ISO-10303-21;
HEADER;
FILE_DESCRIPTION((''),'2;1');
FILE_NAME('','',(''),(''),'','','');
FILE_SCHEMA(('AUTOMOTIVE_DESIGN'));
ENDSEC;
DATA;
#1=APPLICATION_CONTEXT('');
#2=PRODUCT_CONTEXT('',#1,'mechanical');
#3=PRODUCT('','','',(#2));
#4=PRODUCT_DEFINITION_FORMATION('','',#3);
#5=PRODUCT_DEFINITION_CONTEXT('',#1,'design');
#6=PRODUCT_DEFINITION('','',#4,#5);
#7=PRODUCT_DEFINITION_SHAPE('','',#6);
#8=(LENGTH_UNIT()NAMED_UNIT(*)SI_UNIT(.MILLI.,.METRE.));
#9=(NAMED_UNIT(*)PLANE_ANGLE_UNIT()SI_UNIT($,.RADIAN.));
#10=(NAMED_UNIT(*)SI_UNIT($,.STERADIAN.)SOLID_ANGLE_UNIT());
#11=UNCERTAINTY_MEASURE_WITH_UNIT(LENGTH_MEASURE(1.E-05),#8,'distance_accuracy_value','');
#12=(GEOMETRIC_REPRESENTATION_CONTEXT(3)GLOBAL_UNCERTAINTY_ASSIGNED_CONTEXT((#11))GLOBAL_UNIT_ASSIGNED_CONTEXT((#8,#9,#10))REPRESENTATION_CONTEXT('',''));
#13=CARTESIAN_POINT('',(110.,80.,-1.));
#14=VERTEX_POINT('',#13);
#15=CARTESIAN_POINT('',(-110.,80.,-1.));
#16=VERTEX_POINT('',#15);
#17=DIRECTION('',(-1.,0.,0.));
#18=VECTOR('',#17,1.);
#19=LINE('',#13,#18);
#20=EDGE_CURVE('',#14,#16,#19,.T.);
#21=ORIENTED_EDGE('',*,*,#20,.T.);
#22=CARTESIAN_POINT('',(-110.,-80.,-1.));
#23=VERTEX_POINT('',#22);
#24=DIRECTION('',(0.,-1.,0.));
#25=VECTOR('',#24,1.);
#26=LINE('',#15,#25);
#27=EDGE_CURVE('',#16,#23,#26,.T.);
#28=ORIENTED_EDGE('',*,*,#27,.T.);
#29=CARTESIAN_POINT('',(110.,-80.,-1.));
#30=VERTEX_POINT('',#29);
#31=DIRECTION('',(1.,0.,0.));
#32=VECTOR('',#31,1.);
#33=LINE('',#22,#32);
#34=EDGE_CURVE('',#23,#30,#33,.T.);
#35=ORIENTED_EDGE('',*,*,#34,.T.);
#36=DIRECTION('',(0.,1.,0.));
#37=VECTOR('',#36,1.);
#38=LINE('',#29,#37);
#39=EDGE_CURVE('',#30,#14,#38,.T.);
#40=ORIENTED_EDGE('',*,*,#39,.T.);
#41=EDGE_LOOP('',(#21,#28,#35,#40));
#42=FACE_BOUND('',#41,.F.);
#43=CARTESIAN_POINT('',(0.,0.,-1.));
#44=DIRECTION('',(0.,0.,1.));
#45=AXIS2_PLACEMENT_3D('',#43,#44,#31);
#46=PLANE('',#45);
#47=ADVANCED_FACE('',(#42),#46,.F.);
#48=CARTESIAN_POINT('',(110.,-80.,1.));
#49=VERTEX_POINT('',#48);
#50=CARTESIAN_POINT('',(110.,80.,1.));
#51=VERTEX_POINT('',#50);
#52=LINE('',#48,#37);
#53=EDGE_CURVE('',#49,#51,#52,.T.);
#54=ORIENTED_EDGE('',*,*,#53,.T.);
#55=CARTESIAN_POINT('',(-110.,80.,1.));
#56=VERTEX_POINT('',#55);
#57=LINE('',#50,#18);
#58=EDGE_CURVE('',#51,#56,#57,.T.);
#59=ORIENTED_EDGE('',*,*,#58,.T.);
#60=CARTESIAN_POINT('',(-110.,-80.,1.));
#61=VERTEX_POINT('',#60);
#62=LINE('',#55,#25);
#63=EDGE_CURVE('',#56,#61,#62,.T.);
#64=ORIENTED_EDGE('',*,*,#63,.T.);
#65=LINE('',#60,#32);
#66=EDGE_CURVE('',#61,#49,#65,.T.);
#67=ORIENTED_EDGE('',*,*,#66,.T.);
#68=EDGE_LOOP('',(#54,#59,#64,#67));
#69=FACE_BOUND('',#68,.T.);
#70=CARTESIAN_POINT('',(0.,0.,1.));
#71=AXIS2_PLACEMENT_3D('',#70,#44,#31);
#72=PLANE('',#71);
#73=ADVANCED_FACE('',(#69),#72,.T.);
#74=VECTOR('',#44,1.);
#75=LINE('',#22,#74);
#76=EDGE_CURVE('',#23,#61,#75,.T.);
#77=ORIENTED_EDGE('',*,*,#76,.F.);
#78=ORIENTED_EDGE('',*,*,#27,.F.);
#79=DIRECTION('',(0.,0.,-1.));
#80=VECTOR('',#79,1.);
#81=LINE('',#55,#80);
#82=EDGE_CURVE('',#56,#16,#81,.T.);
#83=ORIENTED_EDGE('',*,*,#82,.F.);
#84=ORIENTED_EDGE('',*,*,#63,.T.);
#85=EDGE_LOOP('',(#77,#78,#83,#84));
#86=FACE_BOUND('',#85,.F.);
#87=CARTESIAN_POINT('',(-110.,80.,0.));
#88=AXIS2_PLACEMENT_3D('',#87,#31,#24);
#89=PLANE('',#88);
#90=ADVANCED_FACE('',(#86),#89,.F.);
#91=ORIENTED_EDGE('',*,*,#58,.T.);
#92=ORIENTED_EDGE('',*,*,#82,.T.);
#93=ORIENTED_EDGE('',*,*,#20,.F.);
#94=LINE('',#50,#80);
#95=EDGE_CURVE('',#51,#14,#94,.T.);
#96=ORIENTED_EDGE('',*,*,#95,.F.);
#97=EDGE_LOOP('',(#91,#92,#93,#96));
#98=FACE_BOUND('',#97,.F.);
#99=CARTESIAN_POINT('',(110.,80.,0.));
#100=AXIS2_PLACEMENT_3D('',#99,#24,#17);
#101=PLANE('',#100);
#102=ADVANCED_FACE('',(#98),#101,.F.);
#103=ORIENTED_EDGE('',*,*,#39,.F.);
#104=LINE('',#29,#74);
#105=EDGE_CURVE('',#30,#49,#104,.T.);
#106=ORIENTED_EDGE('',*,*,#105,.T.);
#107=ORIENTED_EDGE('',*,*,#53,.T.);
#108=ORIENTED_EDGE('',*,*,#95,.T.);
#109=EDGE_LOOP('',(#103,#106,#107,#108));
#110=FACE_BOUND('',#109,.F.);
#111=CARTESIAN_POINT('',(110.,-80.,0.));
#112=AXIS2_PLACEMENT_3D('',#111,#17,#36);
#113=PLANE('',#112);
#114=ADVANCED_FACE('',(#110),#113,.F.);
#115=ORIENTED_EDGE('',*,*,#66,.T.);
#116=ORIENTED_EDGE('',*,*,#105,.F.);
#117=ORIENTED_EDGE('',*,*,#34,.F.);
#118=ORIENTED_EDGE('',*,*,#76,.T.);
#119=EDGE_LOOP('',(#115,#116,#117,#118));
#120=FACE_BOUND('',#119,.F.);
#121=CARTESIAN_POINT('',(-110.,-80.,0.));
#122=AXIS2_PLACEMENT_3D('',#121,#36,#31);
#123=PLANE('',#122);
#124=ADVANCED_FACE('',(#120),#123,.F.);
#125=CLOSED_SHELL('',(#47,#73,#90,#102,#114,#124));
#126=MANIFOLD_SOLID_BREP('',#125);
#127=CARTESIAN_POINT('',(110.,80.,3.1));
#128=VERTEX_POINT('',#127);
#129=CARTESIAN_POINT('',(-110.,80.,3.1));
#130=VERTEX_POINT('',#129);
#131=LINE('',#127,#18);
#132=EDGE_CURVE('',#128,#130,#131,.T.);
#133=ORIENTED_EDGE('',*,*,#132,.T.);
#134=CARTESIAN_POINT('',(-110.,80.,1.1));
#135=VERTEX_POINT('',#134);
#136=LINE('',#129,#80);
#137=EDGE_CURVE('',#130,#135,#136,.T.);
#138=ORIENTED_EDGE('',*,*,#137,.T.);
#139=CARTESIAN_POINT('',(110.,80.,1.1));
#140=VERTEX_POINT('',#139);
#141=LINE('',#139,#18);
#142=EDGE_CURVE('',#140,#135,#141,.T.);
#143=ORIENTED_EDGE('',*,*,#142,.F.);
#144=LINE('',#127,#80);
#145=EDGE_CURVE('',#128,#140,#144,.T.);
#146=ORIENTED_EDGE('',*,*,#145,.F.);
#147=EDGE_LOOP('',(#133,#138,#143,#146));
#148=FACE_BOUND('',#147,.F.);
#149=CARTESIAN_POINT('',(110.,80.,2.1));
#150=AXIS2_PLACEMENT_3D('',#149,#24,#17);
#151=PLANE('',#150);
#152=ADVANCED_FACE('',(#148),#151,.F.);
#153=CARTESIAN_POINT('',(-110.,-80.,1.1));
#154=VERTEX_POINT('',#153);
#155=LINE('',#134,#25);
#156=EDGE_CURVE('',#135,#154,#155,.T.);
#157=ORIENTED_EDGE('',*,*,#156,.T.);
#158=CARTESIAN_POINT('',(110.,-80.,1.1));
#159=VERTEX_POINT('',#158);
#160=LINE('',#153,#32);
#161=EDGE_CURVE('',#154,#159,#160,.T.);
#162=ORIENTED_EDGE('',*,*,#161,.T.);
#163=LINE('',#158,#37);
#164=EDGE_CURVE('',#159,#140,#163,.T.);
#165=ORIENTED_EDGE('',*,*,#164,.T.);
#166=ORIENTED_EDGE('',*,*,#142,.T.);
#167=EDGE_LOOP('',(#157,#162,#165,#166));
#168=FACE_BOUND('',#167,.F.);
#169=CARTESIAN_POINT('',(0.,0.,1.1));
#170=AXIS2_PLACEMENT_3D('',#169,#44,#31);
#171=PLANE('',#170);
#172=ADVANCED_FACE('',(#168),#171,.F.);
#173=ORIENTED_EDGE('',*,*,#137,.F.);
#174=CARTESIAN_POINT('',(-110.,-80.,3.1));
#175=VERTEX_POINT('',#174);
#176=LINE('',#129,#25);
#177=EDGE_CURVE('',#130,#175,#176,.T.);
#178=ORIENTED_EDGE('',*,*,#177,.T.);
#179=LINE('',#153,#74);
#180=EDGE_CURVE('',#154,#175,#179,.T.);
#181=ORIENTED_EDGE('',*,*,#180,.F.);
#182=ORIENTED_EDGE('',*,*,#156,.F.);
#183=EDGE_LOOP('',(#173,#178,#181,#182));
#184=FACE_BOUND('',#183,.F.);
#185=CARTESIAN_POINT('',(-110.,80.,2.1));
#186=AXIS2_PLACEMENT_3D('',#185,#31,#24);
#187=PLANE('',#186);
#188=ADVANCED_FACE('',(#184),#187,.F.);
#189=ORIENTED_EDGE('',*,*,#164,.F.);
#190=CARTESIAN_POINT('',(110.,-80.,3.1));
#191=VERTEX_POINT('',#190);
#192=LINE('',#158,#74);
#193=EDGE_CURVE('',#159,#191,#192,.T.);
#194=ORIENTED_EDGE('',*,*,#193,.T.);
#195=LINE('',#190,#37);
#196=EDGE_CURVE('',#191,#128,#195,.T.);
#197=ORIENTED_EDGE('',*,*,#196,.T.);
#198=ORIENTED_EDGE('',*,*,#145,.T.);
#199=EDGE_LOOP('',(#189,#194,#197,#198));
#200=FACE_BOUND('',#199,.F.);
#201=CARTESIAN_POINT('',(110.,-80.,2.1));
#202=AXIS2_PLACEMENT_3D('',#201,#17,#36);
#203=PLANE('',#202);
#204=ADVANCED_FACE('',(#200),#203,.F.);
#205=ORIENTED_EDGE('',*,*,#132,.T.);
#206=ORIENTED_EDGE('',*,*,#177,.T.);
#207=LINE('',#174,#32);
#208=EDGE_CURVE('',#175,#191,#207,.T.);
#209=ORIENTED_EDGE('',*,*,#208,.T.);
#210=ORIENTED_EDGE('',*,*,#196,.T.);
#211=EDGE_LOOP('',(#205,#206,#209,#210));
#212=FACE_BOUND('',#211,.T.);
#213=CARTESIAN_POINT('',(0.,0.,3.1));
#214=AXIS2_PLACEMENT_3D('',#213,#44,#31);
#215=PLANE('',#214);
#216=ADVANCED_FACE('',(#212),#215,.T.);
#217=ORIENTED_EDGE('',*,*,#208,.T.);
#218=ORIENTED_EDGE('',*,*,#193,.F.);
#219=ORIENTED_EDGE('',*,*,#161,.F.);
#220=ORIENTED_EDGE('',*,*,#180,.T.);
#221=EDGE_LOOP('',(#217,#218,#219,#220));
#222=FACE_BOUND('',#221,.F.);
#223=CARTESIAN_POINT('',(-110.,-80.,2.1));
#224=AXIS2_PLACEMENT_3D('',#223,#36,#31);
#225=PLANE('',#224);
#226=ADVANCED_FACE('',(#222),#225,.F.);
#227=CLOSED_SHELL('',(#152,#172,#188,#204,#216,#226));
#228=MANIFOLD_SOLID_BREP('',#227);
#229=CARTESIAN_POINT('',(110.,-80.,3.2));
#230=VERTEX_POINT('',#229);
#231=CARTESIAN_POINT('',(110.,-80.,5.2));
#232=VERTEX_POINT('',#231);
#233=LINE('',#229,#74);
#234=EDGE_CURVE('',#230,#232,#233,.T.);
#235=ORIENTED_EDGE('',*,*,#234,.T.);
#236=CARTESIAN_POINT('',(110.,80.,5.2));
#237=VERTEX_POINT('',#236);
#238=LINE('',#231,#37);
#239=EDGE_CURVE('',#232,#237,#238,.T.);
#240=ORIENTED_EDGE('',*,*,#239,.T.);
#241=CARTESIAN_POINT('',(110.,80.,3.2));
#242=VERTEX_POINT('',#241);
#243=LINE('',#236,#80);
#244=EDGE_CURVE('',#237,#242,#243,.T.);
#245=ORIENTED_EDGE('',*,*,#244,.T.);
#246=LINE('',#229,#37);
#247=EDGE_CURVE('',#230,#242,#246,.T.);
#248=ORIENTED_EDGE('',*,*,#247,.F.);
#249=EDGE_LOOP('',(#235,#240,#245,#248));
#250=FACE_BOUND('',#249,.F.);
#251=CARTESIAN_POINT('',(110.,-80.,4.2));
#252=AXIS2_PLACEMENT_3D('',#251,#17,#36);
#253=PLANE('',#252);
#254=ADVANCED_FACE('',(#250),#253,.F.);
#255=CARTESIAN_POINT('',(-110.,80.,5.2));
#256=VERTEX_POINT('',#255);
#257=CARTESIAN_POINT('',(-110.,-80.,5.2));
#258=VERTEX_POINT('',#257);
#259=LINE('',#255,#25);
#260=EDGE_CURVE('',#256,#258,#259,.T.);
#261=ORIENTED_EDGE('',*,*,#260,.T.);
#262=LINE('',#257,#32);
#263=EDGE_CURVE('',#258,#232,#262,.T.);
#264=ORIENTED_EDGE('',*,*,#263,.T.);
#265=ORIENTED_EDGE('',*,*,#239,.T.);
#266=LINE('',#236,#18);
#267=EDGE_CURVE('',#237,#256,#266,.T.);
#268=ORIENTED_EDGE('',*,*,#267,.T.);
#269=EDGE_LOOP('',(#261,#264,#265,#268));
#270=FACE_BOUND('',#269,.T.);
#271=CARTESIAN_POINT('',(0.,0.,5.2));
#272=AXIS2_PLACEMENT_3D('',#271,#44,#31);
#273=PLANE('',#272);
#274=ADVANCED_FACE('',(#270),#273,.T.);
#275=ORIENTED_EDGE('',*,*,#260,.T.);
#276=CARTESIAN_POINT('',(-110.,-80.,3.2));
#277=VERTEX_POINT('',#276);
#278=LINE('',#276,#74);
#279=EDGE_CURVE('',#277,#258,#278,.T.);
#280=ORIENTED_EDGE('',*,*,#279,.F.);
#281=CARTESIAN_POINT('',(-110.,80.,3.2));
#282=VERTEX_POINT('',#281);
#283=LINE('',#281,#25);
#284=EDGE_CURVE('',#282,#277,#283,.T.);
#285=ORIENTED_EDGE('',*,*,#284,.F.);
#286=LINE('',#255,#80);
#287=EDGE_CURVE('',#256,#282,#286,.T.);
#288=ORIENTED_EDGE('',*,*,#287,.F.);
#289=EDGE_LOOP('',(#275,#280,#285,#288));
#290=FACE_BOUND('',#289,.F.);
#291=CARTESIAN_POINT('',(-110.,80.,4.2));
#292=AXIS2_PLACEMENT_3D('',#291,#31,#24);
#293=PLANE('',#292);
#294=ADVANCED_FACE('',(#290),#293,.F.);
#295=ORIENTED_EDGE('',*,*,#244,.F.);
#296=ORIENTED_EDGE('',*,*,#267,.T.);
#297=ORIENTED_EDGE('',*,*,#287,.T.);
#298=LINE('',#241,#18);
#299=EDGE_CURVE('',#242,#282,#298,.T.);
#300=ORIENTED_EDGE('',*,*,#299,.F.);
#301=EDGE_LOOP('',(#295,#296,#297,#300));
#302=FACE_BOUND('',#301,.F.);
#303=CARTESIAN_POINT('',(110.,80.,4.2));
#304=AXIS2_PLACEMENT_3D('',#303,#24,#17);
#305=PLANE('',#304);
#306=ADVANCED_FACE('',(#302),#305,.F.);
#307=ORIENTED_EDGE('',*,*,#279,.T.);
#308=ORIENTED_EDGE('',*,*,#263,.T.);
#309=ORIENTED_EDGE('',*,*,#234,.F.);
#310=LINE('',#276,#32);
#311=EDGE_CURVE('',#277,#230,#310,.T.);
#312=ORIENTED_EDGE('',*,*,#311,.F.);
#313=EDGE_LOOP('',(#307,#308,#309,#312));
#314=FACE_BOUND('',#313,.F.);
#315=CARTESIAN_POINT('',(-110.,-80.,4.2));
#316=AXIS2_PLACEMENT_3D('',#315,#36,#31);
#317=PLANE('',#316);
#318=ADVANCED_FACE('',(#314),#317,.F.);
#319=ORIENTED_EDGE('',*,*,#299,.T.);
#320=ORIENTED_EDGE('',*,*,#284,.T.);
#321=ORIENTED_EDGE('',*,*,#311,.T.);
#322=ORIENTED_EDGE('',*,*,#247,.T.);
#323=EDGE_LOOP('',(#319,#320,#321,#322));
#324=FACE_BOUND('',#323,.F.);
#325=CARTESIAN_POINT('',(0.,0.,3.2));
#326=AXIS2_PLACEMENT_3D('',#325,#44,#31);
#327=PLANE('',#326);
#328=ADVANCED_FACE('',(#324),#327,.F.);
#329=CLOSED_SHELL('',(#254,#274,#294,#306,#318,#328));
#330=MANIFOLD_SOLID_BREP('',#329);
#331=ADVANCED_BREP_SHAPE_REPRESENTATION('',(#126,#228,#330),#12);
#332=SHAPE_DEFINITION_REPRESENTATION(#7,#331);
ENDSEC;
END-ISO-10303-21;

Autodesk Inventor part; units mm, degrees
ref_plane "YZ Plane" through (0, 0, 0) normal (1, 0, 0) x (0, 1, 0)
ref_plane "XZ Plane" through (0, 0, 0) normal (0, 1, 0) x (-1, 0, 0)
ref_plane "XY Plane" through (0, 0, 0) normal (0, 0, 1) x (1, 0, 0)
sketch "Sketch1" plane through (0, 0, 0) normal (0, 0, 1) x (1, 0, 0)
  line L0 (-110, -80) -> (110, -80)
  line L1 (110, -80) -> (110, 80)
  line L2 (110, 80) -> (-110, 80)
  line L3 (-110, 80) -> (-110, -80)
  line L4 (-110, -80) -> (110, 80) construction
  line L5 (110, -80) -> (-110, 80) construction
  point P0 (0, 0)
  dimension "d0" = 220
  dimension "d1" = 160
extrude "Extrusion1" add sketch "Sketch1" along normal mid plane 2
pattern_linear "Rectangular Pattern1" count 3 spacing 2.1 along (0, 0, 1) of "Extrusion1"
properties part number "Game_TurmoilCard"
